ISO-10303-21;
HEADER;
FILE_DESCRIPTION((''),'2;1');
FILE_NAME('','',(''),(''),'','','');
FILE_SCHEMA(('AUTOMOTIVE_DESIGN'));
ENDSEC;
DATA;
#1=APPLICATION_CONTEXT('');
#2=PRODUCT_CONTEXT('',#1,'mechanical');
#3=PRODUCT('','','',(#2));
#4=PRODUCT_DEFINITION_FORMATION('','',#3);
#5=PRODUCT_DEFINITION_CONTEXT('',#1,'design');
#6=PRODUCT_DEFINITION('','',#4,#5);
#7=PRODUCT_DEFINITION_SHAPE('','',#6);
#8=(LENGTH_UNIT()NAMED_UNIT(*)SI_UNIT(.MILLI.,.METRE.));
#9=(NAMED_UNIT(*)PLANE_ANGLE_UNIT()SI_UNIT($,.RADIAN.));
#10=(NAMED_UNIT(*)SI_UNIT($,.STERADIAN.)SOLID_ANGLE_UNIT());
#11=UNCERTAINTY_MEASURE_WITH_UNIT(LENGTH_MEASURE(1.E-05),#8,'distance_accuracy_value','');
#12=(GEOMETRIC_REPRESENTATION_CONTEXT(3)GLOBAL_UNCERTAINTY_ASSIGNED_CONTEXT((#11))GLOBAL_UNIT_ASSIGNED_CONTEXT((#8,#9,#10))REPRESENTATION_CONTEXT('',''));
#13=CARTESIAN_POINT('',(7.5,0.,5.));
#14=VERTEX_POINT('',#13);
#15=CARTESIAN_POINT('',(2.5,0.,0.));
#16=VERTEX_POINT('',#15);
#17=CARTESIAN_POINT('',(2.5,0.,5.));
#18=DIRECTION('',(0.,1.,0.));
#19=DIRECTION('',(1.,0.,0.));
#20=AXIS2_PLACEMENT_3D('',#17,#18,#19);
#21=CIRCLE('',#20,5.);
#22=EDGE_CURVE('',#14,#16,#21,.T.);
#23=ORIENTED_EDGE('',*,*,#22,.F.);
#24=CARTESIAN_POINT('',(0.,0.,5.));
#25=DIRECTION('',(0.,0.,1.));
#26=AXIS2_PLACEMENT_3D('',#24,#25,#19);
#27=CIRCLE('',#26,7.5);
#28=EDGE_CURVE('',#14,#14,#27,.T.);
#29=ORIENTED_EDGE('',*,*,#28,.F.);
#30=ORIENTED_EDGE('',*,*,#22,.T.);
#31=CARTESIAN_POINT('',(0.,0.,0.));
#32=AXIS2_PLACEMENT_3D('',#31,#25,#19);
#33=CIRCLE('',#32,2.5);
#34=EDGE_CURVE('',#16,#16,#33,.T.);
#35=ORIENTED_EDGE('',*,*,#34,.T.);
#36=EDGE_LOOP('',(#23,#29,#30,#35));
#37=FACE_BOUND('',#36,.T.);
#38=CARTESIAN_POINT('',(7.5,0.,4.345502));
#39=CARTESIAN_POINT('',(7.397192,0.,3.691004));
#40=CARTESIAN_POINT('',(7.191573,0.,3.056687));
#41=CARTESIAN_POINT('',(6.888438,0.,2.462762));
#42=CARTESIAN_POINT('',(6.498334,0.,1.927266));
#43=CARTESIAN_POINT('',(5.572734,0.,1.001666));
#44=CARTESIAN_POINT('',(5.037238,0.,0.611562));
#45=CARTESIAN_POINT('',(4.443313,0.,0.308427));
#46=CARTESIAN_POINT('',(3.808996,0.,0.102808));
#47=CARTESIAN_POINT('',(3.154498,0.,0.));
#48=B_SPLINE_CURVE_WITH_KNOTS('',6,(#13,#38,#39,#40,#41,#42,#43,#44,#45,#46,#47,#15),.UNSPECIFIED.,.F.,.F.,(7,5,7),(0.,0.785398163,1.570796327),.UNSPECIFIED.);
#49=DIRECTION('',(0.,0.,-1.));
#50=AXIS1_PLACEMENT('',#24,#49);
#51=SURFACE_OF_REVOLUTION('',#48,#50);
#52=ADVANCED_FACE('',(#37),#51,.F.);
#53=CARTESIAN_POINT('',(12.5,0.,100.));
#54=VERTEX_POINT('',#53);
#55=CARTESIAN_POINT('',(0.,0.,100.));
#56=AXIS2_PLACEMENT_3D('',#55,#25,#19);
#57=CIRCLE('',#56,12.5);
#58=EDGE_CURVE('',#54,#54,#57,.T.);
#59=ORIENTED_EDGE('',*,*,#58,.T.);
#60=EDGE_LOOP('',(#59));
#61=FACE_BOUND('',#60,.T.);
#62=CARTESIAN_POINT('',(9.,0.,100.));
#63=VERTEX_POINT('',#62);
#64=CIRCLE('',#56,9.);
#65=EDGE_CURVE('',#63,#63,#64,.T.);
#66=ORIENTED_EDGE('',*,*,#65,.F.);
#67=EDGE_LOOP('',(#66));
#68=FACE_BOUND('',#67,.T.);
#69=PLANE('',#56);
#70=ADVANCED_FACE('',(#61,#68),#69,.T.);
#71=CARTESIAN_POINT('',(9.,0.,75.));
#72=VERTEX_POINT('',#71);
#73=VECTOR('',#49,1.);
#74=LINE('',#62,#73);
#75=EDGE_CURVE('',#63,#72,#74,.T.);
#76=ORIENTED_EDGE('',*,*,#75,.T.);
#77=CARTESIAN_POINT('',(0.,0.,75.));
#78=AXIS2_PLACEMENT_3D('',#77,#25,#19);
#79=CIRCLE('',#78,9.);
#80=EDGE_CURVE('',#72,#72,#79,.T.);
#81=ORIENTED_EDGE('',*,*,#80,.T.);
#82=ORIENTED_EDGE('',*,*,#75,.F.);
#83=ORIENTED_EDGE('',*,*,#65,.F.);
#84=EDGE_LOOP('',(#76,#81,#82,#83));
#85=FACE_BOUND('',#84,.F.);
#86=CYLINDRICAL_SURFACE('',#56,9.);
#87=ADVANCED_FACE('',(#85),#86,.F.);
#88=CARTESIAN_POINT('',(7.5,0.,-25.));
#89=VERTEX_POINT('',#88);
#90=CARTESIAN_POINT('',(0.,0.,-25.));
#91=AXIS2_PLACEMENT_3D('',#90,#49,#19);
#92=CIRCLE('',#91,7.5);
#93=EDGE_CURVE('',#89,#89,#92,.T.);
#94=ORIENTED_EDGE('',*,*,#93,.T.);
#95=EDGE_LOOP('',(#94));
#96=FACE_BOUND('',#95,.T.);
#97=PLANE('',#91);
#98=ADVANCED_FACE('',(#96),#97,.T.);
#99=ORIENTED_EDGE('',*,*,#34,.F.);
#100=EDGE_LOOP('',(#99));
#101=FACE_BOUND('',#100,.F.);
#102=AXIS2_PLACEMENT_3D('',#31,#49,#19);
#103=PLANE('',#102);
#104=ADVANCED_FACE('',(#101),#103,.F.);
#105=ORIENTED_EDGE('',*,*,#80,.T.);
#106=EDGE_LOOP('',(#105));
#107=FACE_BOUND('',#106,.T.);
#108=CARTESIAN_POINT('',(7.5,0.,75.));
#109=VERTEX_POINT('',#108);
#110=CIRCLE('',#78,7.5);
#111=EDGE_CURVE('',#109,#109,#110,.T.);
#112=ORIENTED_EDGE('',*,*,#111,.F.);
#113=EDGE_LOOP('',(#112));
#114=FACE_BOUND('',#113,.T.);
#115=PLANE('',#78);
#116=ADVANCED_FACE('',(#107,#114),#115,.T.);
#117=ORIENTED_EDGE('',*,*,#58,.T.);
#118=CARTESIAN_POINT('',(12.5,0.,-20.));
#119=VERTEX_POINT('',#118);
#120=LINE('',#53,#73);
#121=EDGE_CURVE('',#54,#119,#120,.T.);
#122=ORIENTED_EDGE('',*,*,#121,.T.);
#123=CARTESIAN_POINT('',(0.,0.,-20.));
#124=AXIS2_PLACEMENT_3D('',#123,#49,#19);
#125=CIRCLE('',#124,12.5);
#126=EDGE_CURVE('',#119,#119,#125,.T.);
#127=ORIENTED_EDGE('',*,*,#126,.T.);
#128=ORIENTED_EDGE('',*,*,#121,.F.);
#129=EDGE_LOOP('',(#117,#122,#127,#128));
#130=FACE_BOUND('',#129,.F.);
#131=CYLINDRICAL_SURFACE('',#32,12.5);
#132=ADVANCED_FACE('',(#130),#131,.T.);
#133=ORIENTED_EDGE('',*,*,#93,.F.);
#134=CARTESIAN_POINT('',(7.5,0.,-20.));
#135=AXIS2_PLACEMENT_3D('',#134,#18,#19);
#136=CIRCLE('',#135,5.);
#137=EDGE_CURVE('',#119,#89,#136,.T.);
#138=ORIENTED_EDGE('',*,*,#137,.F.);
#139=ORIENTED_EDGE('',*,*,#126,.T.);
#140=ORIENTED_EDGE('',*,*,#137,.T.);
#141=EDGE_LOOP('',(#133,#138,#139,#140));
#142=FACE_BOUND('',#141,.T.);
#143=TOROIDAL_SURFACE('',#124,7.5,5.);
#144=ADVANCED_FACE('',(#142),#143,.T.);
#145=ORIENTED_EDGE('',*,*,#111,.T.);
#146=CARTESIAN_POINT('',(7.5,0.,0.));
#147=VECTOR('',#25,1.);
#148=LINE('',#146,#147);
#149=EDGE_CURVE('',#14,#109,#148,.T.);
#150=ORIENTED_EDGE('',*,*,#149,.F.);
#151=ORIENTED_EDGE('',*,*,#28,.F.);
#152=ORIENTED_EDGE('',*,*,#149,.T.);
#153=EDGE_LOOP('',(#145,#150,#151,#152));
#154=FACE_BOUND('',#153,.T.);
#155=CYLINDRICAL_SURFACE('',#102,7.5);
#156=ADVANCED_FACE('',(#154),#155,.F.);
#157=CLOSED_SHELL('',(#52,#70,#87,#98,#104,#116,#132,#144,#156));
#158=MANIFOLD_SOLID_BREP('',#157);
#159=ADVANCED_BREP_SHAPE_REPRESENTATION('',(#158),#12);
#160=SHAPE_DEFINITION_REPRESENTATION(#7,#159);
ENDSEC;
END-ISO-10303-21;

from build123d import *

# Parameters (mm, degrees)
F0_R     = 12.5
F0_R_2   = 7.5
F1_DEPTH = 100
F2_R     = 12.5
F3_DEPTH = 25
F4_R     = 5
F5_R     = 9
F5_R_2   = 7.5
F6_DEPTH = 25


with BuildPart() as f1:
    # F0 (on Top) → F1 (new body)
    with BuildSketch(Plane.XY):
        Circle(F0_R)
        Circle(F0_R_2, mode=Mode.SUBTRACT)
    extrude(amount=F1_DEPTH)

    # F2 (on face) → F3 (join)
    with BuildSketch(Plane(origin=(0, 0, 0), x_dir=(1, 0, 0), z_dir=(0, 0, -1))):
        Circle(F2_R)
    extrude(amount=F3_DEPTH)

    # F4
    f4_edges = [f1.edges().sort_by_distance(p)[0] for p in [
        (-12.5, 0, -25),
        (-7.5, 0, 0),
    ]]
    fillet(f4_edges, radius=F4_R)

    # F5 (on face) → F6 (cut)
    with BuildSketch(Plane.XY.offset(100)):
        Circle(F5_R)
        Circle(F5_R_2, mode=Mode.SUBTRACT)
    extrude(amount=-F6_DEPTH, mode=Mode.SUBTRACT)


solid = f1.part
